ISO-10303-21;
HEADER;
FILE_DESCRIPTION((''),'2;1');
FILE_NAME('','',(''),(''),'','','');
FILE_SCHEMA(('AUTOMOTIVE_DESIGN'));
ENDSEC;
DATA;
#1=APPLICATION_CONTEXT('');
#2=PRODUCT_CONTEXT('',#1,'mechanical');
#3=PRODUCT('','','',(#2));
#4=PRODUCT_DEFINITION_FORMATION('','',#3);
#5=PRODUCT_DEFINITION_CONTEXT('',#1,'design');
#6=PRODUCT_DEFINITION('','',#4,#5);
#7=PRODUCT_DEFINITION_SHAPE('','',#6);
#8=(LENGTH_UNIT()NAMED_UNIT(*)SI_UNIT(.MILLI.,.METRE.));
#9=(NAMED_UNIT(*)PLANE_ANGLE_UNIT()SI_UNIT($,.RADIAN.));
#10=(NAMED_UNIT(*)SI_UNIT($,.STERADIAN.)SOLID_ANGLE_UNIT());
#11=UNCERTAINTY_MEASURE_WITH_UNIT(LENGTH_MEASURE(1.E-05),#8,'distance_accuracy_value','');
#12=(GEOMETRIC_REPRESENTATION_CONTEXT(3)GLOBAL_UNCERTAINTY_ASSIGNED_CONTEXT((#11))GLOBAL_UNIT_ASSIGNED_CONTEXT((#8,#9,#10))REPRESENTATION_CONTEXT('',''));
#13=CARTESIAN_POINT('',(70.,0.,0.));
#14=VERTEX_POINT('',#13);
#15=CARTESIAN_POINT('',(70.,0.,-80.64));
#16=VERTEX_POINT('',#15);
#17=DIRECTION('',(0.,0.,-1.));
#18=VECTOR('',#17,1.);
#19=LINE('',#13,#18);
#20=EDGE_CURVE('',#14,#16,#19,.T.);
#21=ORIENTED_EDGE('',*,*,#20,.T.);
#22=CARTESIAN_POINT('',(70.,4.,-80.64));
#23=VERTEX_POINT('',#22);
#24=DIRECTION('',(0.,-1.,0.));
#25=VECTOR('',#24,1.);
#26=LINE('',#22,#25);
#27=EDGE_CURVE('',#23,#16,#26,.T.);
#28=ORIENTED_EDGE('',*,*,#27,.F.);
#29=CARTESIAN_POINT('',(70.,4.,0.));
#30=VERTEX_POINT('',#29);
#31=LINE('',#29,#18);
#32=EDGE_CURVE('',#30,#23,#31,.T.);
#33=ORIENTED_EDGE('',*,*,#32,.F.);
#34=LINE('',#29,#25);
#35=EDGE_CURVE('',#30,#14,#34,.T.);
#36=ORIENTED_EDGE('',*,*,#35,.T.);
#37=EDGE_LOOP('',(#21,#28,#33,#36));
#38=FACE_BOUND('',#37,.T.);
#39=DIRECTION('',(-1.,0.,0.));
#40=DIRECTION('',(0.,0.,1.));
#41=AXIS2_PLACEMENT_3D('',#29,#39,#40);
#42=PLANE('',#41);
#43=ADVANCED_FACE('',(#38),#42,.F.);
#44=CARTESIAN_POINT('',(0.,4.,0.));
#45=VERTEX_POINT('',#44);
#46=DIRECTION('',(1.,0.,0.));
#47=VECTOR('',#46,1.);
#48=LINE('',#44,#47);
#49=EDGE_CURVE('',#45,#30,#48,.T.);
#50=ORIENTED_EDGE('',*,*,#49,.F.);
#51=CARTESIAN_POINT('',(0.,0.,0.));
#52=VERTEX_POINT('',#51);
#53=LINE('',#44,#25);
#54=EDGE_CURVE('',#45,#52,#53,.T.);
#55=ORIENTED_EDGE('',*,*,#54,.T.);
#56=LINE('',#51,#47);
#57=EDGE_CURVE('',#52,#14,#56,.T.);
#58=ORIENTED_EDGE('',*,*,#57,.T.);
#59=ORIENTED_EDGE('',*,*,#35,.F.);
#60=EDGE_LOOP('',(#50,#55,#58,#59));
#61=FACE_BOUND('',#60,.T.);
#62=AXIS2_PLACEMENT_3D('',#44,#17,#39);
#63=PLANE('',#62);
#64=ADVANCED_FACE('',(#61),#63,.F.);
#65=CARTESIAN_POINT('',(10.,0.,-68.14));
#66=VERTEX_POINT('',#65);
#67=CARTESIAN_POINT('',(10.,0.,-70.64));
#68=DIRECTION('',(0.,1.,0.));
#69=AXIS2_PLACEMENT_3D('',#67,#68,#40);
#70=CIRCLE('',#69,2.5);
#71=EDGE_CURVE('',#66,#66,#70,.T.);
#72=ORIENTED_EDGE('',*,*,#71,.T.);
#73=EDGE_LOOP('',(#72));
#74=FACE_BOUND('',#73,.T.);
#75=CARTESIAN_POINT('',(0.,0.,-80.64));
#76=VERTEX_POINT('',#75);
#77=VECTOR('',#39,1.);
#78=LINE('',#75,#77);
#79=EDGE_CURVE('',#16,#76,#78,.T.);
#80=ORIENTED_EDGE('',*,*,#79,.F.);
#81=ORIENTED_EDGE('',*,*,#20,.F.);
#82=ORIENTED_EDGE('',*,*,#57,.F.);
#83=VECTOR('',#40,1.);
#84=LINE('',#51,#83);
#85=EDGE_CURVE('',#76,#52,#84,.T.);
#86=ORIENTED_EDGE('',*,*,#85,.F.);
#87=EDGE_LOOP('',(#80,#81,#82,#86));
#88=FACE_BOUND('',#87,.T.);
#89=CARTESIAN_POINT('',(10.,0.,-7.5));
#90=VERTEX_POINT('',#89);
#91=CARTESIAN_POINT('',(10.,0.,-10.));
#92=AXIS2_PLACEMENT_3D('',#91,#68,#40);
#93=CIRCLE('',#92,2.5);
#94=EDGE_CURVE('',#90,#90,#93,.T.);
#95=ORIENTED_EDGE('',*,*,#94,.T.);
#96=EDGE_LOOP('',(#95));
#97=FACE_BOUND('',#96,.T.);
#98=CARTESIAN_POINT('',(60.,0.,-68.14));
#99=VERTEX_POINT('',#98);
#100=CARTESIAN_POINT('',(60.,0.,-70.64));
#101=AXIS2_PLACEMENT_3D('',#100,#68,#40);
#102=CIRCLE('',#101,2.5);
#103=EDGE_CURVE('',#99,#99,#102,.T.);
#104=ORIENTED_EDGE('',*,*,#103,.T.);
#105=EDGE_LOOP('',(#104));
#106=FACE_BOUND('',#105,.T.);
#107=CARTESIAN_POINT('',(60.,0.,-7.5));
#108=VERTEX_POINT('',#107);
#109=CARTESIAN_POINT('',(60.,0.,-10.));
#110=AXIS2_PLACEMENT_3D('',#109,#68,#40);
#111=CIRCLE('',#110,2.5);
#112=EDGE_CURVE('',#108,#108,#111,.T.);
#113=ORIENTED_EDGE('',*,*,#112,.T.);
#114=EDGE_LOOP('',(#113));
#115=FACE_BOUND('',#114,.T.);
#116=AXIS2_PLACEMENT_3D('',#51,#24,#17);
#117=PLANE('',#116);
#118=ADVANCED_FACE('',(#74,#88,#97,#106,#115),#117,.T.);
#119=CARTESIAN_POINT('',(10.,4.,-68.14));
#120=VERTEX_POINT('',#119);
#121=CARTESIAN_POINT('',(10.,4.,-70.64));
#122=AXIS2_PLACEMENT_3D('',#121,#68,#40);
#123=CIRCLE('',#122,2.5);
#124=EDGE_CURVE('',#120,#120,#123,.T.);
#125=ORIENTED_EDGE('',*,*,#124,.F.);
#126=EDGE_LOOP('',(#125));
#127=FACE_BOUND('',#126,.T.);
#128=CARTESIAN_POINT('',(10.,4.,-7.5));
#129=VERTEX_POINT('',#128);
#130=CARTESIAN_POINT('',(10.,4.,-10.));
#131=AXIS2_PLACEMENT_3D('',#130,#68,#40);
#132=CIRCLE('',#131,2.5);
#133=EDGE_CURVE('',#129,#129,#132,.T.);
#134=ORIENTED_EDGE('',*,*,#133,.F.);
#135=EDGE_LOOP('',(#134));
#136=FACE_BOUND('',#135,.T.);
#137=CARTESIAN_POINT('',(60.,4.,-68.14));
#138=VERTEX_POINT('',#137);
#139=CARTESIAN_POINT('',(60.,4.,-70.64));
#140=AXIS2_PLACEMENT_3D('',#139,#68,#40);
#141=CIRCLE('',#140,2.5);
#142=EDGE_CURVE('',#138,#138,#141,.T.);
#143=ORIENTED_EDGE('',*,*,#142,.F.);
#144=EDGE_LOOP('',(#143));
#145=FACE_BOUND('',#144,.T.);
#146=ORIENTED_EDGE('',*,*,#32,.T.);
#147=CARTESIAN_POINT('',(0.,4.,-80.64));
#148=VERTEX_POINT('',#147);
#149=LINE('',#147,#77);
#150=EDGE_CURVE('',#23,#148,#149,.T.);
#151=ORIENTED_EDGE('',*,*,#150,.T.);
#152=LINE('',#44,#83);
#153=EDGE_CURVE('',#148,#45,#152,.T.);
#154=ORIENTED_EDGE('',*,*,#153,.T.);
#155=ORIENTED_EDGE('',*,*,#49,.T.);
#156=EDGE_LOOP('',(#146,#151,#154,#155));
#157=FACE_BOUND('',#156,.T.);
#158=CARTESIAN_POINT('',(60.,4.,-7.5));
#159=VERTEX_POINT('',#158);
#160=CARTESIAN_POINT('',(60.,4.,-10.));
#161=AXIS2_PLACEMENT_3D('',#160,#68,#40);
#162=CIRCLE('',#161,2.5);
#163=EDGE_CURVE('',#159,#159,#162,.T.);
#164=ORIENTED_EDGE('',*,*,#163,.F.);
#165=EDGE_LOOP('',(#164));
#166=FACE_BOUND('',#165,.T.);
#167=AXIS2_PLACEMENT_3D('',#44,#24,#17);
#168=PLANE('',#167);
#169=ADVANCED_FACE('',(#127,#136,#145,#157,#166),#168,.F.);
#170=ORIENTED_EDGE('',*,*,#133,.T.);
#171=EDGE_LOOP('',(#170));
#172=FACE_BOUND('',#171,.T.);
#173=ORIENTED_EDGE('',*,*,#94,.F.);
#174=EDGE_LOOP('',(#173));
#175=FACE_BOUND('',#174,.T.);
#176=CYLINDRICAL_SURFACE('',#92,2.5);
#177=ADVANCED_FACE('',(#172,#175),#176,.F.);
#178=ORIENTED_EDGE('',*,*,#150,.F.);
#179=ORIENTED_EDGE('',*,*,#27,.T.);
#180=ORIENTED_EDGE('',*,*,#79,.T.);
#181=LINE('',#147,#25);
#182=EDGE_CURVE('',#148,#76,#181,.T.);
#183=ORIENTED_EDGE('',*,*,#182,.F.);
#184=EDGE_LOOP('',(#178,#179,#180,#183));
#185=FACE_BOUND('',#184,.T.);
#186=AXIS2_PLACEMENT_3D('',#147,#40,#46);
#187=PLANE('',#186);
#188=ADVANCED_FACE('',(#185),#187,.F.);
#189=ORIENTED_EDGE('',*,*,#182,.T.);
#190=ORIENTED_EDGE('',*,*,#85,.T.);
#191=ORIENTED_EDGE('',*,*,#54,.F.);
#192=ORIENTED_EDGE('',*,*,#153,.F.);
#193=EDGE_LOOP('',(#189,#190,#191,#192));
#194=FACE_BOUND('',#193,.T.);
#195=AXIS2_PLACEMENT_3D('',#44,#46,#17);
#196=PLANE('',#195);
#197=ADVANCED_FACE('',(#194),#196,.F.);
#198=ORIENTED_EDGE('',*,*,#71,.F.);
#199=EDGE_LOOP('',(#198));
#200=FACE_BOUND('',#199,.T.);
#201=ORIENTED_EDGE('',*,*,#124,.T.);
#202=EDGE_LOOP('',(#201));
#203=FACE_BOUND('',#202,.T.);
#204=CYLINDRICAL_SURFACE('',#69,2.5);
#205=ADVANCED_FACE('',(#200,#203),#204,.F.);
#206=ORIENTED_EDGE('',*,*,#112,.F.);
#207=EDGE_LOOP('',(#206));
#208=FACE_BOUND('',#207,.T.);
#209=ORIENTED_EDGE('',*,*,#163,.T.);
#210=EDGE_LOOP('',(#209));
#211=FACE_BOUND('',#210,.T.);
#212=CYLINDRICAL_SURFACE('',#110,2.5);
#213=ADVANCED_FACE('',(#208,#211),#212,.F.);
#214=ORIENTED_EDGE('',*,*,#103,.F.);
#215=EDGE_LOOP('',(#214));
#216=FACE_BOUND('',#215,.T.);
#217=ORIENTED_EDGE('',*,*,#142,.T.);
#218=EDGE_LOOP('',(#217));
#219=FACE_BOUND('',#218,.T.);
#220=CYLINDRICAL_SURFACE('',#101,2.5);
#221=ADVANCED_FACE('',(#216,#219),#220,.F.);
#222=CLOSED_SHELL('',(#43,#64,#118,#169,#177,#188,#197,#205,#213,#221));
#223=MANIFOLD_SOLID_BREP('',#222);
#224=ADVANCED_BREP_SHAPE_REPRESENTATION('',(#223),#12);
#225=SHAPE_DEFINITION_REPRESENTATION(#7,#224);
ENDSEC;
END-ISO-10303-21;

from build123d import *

# Parameters (mm, degrees)
SKETCH1_W           = 70
SKETCH1_H           = 80.64
BOSS_EXTRUDE1_DEPTH = 4
SKETCH2_R           = 2.5
CUT_EXTRUDE1_DEPTH  = 5


with BuildPart() as part:
    # Sketch1 → Boss-Extrude1 (new body)
    with BuildSketch(Plane(origin=(0, 0, 0), x_dir=(1, 0, 0), z_dir=(0, 1, 0))):
        with Locations((35, 40.32)):
            Rectangle(SKETCH1_W, SKETCH1_H)
    extrude(amount=BOSS_EXTRUDE1_DEPTH)

    # Sketch2 → Cut-Extrude1 (cut, through all)
    with BuildSketch(Plane(origin=(0, 4, 0), x_dir=(1, 0, 0), z_dir=(0, 1, 0))):
        with Locations((10, 70.64)):
            Circle(SKETCH2_R)
        with Locations((60, 70.64)):
            Circle(SKETCH2_R)
        with Locations((60, 10)):
            Circle(SKETCH2_R)
        with Locations((10, 10)):
            Circle(SKETCH2_R)
    extrude(amount=-CUT_EXTRUDE1_DEPTH, mode=Mode.SUBTRACT)


solid = part.part
